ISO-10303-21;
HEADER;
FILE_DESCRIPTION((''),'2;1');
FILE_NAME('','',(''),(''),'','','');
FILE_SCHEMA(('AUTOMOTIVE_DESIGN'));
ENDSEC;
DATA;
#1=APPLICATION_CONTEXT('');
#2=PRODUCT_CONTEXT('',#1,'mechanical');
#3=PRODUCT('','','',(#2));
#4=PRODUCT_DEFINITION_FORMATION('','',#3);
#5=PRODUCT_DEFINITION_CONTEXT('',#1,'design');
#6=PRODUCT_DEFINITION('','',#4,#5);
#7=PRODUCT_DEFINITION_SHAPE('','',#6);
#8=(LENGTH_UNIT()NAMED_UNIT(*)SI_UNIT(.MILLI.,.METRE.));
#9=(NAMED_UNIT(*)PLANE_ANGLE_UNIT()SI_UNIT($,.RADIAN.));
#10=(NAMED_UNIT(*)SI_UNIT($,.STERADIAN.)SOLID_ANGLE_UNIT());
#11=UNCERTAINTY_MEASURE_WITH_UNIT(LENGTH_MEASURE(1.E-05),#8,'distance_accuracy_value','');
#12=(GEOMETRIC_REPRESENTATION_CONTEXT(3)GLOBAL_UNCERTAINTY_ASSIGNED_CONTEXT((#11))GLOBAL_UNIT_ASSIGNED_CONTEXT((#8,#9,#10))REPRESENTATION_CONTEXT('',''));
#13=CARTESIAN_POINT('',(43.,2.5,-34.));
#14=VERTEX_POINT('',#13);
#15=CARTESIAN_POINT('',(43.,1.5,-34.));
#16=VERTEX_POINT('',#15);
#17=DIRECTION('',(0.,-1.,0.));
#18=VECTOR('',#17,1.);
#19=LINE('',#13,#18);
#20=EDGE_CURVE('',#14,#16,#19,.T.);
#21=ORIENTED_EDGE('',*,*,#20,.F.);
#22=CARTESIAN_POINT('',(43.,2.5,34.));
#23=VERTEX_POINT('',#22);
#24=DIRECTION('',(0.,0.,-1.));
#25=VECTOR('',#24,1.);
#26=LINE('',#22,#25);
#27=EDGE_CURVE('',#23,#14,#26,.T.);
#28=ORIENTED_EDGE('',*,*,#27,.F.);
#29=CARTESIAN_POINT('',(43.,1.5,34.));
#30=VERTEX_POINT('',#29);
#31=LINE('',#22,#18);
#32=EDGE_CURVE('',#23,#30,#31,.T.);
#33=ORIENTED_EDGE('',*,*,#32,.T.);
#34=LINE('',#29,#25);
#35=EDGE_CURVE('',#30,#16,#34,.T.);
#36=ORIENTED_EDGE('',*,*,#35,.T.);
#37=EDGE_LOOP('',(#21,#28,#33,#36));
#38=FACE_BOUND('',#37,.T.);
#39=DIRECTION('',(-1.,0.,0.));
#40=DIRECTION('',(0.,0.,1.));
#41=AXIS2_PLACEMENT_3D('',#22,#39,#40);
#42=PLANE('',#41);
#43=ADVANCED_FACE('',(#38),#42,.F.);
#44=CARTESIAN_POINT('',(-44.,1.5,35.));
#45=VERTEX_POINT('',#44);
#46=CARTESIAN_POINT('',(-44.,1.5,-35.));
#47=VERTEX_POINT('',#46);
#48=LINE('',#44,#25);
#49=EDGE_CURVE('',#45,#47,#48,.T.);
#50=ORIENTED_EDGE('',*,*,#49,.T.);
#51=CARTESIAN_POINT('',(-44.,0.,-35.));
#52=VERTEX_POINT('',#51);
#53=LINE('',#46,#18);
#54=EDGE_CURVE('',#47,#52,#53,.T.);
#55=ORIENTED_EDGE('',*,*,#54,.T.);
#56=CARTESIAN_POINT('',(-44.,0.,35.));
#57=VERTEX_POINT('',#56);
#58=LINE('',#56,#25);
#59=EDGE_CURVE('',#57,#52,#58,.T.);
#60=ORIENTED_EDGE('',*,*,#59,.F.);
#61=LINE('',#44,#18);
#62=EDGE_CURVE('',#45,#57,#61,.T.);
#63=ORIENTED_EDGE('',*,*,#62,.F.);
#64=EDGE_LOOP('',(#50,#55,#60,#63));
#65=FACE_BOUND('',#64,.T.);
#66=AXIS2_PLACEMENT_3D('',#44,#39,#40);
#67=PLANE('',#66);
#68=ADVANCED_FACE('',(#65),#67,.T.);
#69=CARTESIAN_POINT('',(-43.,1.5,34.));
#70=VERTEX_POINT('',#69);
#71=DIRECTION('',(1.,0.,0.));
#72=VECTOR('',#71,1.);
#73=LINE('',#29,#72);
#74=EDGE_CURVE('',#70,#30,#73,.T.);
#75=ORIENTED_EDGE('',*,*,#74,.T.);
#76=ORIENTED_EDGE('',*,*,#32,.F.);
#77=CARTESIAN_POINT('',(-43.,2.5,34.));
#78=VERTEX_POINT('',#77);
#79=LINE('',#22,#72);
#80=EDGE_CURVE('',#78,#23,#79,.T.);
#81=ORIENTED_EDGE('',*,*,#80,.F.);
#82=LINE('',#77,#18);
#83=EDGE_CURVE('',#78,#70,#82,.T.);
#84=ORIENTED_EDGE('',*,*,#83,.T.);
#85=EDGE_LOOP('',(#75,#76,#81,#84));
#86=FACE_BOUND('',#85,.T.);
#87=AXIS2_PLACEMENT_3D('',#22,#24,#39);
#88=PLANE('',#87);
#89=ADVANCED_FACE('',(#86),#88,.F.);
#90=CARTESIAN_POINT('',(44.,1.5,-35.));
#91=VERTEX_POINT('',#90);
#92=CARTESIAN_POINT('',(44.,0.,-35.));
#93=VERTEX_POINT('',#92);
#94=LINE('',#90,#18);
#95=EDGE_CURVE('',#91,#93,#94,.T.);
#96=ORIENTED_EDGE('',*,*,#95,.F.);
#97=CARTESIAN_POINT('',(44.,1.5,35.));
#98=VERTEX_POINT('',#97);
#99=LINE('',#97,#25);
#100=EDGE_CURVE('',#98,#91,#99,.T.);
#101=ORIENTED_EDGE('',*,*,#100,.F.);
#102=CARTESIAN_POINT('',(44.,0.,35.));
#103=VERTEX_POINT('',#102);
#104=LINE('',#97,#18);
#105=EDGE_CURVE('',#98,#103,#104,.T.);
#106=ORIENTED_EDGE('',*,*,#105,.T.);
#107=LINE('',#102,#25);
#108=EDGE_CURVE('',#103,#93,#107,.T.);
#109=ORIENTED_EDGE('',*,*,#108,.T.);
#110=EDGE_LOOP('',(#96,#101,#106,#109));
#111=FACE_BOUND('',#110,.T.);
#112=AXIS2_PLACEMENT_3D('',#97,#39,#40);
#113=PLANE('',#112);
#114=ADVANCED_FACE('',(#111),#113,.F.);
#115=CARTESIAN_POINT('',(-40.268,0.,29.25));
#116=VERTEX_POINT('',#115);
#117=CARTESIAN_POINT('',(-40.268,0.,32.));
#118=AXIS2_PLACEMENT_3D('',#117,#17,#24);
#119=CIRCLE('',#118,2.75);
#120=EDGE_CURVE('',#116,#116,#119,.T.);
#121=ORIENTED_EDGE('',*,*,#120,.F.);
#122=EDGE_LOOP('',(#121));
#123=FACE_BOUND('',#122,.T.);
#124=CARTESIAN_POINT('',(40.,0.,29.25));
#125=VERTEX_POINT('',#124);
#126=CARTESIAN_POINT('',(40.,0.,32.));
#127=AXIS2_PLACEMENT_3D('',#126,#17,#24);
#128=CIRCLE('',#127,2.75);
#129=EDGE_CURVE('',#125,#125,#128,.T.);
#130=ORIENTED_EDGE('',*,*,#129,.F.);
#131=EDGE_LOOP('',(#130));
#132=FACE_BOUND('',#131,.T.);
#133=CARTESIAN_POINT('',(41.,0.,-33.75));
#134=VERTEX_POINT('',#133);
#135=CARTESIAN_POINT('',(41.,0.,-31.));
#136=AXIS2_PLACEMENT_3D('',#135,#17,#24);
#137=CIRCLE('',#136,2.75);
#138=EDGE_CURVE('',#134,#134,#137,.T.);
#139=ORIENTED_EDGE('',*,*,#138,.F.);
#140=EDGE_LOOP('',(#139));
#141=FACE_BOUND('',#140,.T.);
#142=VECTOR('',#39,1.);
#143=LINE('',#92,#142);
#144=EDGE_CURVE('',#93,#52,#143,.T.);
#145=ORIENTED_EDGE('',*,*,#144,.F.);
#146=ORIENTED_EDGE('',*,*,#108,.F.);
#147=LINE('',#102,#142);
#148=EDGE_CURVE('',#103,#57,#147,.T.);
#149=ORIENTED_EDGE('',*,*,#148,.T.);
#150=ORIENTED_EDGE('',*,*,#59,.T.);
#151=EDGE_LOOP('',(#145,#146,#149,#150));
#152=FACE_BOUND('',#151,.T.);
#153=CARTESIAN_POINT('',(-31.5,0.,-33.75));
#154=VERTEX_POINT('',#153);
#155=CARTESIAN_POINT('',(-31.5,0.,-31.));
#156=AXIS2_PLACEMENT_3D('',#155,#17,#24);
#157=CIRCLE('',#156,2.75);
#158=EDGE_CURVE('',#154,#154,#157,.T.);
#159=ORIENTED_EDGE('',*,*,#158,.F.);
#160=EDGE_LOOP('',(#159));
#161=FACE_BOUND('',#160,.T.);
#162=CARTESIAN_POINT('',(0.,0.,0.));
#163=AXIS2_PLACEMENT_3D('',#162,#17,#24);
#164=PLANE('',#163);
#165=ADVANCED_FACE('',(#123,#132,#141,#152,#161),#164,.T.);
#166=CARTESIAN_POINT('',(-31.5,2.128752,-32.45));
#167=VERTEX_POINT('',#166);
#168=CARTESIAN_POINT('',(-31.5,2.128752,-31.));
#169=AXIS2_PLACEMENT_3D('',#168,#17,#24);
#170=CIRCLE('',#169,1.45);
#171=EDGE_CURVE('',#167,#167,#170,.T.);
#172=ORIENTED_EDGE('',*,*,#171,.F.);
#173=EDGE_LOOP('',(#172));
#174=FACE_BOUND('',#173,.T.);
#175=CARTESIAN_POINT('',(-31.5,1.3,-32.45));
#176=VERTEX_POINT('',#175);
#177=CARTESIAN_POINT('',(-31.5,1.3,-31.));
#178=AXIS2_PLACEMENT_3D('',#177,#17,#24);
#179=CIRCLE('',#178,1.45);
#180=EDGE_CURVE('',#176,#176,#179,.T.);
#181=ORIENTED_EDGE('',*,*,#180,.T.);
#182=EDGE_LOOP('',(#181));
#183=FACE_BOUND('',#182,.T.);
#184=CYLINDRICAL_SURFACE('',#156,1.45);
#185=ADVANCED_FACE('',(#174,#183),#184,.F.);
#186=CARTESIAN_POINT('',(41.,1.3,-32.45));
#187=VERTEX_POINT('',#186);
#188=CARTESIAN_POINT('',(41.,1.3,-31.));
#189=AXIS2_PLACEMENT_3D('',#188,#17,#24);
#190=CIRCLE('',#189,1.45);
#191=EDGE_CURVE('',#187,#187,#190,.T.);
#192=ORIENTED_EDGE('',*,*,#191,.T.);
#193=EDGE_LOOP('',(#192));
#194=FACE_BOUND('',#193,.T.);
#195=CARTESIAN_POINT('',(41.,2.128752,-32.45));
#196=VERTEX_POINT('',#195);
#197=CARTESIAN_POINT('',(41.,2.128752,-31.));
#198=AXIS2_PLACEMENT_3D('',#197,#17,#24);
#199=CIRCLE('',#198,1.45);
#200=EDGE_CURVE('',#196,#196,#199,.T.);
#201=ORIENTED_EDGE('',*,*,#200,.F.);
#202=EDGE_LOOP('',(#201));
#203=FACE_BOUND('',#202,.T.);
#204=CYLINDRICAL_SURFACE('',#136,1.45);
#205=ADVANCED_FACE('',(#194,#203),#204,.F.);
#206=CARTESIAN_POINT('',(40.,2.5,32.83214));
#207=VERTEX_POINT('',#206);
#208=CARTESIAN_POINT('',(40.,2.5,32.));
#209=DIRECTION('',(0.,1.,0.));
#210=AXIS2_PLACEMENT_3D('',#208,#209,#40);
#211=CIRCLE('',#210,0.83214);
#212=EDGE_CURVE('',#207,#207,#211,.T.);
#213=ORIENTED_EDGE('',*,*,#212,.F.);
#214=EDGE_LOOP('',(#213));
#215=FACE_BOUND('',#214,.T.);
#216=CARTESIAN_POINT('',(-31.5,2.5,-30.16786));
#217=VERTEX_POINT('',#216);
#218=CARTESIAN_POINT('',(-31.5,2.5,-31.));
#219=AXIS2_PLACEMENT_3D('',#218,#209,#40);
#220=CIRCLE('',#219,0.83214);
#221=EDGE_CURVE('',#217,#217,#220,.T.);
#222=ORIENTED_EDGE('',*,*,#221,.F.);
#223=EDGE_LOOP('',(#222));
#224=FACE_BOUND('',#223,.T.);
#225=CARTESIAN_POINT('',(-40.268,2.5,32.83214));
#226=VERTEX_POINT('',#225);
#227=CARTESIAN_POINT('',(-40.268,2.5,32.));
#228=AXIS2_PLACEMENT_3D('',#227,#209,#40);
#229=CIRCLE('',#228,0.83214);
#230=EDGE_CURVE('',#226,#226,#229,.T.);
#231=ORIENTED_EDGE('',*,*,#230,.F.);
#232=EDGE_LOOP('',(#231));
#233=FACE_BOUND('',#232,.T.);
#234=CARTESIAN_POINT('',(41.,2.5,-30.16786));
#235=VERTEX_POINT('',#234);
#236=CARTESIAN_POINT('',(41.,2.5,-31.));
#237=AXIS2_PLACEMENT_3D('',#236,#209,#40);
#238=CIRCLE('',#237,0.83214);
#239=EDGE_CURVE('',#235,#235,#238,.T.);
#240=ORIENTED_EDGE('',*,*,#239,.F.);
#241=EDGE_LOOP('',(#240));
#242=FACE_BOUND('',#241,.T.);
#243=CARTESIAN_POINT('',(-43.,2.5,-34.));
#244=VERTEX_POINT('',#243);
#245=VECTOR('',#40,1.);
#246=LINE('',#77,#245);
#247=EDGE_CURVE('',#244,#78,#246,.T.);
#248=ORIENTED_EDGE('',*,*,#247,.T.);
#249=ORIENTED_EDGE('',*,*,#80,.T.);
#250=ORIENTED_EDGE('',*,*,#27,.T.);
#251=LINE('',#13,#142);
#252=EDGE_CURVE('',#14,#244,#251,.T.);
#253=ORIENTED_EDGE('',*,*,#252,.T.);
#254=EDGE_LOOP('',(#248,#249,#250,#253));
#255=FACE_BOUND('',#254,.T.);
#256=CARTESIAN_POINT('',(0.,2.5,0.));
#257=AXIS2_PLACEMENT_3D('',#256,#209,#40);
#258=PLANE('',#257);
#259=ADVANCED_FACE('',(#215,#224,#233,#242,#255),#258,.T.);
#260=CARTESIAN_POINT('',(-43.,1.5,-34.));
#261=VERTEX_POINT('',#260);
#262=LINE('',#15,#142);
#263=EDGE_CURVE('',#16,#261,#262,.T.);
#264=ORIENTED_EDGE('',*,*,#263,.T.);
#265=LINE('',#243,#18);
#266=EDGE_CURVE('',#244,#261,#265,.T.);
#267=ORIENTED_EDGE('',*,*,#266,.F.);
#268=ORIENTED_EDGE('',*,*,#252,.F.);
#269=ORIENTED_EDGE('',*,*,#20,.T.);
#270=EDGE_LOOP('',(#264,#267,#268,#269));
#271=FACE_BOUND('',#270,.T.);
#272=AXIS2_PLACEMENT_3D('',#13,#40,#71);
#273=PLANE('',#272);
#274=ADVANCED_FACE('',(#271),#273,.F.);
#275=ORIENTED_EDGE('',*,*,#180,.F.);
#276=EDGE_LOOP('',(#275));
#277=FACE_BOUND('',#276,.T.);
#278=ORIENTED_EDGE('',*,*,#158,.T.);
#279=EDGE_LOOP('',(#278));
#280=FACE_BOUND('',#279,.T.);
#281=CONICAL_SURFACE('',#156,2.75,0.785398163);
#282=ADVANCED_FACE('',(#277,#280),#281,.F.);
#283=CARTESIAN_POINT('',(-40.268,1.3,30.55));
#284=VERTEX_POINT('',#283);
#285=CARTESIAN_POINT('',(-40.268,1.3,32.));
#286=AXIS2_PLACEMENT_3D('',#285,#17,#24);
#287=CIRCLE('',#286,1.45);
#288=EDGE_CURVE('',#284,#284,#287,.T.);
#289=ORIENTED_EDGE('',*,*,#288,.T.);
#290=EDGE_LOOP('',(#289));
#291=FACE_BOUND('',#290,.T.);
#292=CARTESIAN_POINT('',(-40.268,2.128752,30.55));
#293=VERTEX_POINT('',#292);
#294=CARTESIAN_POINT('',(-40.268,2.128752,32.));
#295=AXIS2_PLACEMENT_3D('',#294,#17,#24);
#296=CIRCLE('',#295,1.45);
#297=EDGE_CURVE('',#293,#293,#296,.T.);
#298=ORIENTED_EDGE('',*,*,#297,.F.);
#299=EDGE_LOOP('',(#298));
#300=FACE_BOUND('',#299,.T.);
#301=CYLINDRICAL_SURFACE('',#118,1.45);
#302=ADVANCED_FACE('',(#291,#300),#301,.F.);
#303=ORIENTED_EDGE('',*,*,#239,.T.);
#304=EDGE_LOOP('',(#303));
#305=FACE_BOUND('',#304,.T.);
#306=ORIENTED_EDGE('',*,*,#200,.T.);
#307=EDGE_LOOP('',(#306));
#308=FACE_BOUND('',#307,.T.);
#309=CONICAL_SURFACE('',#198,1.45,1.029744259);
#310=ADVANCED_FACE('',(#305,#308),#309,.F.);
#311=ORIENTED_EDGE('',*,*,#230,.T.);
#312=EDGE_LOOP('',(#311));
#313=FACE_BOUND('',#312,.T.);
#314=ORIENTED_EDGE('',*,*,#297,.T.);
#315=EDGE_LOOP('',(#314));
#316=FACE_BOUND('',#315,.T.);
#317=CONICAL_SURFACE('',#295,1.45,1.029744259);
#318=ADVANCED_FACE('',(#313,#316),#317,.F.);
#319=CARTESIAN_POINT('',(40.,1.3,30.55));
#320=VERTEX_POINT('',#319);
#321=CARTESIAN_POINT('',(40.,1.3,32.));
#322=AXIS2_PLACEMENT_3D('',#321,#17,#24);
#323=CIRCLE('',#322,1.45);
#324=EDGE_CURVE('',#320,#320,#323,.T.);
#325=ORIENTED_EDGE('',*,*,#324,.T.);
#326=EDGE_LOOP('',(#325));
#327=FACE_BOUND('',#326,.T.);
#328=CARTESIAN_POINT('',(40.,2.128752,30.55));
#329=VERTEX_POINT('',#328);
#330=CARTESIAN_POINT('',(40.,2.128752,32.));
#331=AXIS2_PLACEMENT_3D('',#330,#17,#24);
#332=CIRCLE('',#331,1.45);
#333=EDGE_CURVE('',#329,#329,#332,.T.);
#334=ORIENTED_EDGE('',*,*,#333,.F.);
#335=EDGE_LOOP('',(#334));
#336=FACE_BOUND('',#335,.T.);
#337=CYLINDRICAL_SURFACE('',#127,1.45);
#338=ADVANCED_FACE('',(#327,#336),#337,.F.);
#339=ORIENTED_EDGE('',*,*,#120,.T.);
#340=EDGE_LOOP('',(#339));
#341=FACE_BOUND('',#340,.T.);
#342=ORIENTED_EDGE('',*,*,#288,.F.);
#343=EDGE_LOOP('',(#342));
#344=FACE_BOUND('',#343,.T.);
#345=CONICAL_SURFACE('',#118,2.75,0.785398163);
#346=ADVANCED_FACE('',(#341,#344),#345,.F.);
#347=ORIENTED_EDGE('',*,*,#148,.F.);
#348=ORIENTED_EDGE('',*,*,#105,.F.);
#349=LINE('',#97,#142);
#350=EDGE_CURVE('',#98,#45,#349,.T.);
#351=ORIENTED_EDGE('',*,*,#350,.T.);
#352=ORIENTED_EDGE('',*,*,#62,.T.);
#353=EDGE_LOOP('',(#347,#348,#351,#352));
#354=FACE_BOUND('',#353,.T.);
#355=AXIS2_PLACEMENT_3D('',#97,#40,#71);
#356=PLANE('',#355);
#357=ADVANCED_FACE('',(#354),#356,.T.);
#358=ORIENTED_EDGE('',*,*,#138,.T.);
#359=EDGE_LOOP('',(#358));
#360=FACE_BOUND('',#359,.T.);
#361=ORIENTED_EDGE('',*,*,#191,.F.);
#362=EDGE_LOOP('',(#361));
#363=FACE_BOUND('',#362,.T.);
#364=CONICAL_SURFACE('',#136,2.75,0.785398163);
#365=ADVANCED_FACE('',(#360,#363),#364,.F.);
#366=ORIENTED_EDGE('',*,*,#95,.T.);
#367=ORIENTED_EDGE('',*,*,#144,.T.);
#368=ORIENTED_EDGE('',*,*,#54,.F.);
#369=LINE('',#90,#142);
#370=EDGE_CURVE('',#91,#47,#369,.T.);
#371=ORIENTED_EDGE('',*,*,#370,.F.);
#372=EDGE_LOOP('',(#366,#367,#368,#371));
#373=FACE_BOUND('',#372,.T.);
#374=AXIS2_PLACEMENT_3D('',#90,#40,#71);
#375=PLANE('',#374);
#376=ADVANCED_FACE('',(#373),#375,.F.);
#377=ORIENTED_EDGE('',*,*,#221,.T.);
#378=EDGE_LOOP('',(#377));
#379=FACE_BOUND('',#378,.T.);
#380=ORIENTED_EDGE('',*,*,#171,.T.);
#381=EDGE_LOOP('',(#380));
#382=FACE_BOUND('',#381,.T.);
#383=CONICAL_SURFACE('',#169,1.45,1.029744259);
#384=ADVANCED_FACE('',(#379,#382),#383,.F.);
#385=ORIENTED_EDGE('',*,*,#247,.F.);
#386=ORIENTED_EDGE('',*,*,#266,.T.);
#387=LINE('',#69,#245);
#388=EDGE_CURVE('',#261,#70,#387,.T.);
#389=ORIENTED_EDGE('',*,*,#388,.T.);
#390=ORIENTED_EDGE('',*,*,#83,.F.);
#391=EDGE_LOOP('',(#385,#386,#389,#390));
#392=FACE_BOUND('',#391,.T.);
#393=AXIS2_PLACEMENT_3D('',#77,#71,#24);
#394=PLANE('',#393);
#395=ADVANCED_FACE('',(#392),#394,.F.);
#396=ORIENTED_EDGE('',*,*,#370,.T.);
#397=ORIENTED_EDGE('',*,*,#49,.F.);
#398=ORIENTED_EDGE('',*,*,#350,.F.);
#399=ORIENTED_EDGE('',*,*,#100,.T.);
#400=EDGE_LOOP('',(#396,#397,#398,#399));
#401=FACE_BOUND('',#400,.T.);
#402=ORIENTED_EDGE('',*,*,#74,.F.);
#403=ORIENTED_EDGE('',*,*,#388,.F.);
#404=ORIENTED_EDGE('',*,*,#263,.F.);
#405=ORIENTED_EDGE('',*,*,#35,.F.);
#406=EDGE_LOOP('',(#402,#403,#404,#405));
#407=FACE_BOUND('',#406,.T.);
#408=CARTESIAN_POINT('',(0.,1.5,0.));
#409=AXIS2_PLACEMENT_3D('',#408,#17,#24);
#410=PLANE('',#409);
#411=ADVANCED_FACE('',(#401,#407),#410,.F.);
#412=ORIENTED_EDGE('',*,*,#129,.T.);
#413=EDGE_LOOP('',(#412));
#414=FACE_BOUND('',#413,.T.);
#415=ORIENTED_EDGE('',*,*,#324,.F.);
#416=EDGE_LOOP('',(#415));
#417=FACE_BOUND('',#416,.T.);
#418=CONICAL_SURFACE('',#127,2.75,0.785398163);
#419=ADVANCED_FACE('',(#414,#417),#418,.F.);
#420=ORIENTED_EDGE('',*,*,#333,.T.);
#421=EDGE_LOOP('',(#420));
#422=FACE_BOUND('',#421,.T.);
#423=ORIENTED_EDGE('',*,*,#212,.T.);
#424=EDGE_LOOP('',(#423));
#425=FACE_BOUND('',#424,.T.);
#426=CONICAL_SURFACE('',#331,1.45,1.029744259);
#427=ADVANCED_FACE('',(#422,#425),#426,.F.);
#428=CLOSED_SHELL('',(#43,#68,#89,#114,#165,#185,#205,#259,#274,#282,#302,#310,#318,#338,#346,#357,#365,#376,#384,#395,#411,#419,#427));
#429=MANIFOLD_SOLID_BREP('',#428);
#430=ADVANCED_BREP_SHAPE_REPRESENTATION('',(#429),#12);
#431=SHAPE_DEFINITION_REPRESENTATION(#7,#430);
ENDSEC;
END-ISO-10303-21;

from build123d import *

# Parameters (mm, degrees)
SKETCH1_W                                         = 88
SKETCH1_H                                         = 70
BOSS_EXTRUDE2_DEPTH                               = 1.5
SKETCH7_W                                         = 86
SKETCH7_H                                         = 68
BOSS_EXTRUDE3_DEPTH                               = 1
CSK_FOR_M2_5_FLAT_HEAD_MACHINE_SCREW1_D           = 2.9
CSK_FOR_M2_5_FLAT_HEAD_MACHINE_SCREW1_DEPTH       = 2.128752102
CSK_FOR_M2_5_FLAT_HEAD_MACHINE_SCREW1_CSINK_D     = 5.5
CSK_FOR_M2_5_FLAT_HEAD_MACHINE_SCREW1_CSINK_ANGLE = 90
CSK_FOR_M2_5_FLAT_HEAD_MACHINE_SCREW1_TIP         = 0.871247898


with BuildPart() as part:
    # Sketch1 → Boss-Extrude2 (new body)
    with BuildSketch(Plane(origin=(0, 0, 0), x_dir=(1, 0, 0), z_dir=(0, 1, 0))):
        Rectangle(SKETCH1_W, SKETCH1_H)
    extrude(amount=BOSS_EXTRUDE2_DEPTH)

    # Sketch7 → Boss-Extrude3 (add)
    with BuildSketch(Plane(origin=(0, 1.5, 0), x_dir=(1, 0, 0), z_dir=(0, 1, 0))):
        Rectangle(SKETCH7_W, SKETCH7_H)
    extrude(amount=BOSS_EXTRUDE3_DEPTH)

    # CSK for M2.5 Flat Head Machine Screw1
    with Locations(Plane(origin=(0, 0, 0), x_dir=(-1, 0, 0), z_dir=(0, -1, 0))):
        with Locations((-40, -32), (-41, 31), (31.5, 31), (40.268, -32)):
            CounterSinkHole(CSK_FOR_M2_5_FLAT_HEAD_MACHINE_SCREW1_D / 2, CSK_FOR_M2_5_FLAT_HEAD_MACHINE_SCREW1_CSINK_D / 2, depth=CSK_FOR_M2_5_FLAT_HEAD_MACHINE_SCREW1_DEPTH, counter_sink_angle=CSK_FOR_M2_5_FLAT_HEAD_MACHINE_SCREW1_CSINK_ANGLE)
            with Locations((0, 0, -(CSK_FOR_M2_5_FLAT_HEAD_MACHINE_SCREW1_DEPTH + CSK_FOR_M2_5_FLAT_HEAD_MACHINE_SCREW1_TIP / 2))):  # 118° drill point
                Cone(0, CSK_FOR_M2_5_FLAT_HEAD_MACHINE_SCREW1_D / 2, CSK_FOR_M2_5_FLAT_HEAD_MACHINE_SCREW1_TIP, mode=Mode.SUBTRACT)


solid = part.part
